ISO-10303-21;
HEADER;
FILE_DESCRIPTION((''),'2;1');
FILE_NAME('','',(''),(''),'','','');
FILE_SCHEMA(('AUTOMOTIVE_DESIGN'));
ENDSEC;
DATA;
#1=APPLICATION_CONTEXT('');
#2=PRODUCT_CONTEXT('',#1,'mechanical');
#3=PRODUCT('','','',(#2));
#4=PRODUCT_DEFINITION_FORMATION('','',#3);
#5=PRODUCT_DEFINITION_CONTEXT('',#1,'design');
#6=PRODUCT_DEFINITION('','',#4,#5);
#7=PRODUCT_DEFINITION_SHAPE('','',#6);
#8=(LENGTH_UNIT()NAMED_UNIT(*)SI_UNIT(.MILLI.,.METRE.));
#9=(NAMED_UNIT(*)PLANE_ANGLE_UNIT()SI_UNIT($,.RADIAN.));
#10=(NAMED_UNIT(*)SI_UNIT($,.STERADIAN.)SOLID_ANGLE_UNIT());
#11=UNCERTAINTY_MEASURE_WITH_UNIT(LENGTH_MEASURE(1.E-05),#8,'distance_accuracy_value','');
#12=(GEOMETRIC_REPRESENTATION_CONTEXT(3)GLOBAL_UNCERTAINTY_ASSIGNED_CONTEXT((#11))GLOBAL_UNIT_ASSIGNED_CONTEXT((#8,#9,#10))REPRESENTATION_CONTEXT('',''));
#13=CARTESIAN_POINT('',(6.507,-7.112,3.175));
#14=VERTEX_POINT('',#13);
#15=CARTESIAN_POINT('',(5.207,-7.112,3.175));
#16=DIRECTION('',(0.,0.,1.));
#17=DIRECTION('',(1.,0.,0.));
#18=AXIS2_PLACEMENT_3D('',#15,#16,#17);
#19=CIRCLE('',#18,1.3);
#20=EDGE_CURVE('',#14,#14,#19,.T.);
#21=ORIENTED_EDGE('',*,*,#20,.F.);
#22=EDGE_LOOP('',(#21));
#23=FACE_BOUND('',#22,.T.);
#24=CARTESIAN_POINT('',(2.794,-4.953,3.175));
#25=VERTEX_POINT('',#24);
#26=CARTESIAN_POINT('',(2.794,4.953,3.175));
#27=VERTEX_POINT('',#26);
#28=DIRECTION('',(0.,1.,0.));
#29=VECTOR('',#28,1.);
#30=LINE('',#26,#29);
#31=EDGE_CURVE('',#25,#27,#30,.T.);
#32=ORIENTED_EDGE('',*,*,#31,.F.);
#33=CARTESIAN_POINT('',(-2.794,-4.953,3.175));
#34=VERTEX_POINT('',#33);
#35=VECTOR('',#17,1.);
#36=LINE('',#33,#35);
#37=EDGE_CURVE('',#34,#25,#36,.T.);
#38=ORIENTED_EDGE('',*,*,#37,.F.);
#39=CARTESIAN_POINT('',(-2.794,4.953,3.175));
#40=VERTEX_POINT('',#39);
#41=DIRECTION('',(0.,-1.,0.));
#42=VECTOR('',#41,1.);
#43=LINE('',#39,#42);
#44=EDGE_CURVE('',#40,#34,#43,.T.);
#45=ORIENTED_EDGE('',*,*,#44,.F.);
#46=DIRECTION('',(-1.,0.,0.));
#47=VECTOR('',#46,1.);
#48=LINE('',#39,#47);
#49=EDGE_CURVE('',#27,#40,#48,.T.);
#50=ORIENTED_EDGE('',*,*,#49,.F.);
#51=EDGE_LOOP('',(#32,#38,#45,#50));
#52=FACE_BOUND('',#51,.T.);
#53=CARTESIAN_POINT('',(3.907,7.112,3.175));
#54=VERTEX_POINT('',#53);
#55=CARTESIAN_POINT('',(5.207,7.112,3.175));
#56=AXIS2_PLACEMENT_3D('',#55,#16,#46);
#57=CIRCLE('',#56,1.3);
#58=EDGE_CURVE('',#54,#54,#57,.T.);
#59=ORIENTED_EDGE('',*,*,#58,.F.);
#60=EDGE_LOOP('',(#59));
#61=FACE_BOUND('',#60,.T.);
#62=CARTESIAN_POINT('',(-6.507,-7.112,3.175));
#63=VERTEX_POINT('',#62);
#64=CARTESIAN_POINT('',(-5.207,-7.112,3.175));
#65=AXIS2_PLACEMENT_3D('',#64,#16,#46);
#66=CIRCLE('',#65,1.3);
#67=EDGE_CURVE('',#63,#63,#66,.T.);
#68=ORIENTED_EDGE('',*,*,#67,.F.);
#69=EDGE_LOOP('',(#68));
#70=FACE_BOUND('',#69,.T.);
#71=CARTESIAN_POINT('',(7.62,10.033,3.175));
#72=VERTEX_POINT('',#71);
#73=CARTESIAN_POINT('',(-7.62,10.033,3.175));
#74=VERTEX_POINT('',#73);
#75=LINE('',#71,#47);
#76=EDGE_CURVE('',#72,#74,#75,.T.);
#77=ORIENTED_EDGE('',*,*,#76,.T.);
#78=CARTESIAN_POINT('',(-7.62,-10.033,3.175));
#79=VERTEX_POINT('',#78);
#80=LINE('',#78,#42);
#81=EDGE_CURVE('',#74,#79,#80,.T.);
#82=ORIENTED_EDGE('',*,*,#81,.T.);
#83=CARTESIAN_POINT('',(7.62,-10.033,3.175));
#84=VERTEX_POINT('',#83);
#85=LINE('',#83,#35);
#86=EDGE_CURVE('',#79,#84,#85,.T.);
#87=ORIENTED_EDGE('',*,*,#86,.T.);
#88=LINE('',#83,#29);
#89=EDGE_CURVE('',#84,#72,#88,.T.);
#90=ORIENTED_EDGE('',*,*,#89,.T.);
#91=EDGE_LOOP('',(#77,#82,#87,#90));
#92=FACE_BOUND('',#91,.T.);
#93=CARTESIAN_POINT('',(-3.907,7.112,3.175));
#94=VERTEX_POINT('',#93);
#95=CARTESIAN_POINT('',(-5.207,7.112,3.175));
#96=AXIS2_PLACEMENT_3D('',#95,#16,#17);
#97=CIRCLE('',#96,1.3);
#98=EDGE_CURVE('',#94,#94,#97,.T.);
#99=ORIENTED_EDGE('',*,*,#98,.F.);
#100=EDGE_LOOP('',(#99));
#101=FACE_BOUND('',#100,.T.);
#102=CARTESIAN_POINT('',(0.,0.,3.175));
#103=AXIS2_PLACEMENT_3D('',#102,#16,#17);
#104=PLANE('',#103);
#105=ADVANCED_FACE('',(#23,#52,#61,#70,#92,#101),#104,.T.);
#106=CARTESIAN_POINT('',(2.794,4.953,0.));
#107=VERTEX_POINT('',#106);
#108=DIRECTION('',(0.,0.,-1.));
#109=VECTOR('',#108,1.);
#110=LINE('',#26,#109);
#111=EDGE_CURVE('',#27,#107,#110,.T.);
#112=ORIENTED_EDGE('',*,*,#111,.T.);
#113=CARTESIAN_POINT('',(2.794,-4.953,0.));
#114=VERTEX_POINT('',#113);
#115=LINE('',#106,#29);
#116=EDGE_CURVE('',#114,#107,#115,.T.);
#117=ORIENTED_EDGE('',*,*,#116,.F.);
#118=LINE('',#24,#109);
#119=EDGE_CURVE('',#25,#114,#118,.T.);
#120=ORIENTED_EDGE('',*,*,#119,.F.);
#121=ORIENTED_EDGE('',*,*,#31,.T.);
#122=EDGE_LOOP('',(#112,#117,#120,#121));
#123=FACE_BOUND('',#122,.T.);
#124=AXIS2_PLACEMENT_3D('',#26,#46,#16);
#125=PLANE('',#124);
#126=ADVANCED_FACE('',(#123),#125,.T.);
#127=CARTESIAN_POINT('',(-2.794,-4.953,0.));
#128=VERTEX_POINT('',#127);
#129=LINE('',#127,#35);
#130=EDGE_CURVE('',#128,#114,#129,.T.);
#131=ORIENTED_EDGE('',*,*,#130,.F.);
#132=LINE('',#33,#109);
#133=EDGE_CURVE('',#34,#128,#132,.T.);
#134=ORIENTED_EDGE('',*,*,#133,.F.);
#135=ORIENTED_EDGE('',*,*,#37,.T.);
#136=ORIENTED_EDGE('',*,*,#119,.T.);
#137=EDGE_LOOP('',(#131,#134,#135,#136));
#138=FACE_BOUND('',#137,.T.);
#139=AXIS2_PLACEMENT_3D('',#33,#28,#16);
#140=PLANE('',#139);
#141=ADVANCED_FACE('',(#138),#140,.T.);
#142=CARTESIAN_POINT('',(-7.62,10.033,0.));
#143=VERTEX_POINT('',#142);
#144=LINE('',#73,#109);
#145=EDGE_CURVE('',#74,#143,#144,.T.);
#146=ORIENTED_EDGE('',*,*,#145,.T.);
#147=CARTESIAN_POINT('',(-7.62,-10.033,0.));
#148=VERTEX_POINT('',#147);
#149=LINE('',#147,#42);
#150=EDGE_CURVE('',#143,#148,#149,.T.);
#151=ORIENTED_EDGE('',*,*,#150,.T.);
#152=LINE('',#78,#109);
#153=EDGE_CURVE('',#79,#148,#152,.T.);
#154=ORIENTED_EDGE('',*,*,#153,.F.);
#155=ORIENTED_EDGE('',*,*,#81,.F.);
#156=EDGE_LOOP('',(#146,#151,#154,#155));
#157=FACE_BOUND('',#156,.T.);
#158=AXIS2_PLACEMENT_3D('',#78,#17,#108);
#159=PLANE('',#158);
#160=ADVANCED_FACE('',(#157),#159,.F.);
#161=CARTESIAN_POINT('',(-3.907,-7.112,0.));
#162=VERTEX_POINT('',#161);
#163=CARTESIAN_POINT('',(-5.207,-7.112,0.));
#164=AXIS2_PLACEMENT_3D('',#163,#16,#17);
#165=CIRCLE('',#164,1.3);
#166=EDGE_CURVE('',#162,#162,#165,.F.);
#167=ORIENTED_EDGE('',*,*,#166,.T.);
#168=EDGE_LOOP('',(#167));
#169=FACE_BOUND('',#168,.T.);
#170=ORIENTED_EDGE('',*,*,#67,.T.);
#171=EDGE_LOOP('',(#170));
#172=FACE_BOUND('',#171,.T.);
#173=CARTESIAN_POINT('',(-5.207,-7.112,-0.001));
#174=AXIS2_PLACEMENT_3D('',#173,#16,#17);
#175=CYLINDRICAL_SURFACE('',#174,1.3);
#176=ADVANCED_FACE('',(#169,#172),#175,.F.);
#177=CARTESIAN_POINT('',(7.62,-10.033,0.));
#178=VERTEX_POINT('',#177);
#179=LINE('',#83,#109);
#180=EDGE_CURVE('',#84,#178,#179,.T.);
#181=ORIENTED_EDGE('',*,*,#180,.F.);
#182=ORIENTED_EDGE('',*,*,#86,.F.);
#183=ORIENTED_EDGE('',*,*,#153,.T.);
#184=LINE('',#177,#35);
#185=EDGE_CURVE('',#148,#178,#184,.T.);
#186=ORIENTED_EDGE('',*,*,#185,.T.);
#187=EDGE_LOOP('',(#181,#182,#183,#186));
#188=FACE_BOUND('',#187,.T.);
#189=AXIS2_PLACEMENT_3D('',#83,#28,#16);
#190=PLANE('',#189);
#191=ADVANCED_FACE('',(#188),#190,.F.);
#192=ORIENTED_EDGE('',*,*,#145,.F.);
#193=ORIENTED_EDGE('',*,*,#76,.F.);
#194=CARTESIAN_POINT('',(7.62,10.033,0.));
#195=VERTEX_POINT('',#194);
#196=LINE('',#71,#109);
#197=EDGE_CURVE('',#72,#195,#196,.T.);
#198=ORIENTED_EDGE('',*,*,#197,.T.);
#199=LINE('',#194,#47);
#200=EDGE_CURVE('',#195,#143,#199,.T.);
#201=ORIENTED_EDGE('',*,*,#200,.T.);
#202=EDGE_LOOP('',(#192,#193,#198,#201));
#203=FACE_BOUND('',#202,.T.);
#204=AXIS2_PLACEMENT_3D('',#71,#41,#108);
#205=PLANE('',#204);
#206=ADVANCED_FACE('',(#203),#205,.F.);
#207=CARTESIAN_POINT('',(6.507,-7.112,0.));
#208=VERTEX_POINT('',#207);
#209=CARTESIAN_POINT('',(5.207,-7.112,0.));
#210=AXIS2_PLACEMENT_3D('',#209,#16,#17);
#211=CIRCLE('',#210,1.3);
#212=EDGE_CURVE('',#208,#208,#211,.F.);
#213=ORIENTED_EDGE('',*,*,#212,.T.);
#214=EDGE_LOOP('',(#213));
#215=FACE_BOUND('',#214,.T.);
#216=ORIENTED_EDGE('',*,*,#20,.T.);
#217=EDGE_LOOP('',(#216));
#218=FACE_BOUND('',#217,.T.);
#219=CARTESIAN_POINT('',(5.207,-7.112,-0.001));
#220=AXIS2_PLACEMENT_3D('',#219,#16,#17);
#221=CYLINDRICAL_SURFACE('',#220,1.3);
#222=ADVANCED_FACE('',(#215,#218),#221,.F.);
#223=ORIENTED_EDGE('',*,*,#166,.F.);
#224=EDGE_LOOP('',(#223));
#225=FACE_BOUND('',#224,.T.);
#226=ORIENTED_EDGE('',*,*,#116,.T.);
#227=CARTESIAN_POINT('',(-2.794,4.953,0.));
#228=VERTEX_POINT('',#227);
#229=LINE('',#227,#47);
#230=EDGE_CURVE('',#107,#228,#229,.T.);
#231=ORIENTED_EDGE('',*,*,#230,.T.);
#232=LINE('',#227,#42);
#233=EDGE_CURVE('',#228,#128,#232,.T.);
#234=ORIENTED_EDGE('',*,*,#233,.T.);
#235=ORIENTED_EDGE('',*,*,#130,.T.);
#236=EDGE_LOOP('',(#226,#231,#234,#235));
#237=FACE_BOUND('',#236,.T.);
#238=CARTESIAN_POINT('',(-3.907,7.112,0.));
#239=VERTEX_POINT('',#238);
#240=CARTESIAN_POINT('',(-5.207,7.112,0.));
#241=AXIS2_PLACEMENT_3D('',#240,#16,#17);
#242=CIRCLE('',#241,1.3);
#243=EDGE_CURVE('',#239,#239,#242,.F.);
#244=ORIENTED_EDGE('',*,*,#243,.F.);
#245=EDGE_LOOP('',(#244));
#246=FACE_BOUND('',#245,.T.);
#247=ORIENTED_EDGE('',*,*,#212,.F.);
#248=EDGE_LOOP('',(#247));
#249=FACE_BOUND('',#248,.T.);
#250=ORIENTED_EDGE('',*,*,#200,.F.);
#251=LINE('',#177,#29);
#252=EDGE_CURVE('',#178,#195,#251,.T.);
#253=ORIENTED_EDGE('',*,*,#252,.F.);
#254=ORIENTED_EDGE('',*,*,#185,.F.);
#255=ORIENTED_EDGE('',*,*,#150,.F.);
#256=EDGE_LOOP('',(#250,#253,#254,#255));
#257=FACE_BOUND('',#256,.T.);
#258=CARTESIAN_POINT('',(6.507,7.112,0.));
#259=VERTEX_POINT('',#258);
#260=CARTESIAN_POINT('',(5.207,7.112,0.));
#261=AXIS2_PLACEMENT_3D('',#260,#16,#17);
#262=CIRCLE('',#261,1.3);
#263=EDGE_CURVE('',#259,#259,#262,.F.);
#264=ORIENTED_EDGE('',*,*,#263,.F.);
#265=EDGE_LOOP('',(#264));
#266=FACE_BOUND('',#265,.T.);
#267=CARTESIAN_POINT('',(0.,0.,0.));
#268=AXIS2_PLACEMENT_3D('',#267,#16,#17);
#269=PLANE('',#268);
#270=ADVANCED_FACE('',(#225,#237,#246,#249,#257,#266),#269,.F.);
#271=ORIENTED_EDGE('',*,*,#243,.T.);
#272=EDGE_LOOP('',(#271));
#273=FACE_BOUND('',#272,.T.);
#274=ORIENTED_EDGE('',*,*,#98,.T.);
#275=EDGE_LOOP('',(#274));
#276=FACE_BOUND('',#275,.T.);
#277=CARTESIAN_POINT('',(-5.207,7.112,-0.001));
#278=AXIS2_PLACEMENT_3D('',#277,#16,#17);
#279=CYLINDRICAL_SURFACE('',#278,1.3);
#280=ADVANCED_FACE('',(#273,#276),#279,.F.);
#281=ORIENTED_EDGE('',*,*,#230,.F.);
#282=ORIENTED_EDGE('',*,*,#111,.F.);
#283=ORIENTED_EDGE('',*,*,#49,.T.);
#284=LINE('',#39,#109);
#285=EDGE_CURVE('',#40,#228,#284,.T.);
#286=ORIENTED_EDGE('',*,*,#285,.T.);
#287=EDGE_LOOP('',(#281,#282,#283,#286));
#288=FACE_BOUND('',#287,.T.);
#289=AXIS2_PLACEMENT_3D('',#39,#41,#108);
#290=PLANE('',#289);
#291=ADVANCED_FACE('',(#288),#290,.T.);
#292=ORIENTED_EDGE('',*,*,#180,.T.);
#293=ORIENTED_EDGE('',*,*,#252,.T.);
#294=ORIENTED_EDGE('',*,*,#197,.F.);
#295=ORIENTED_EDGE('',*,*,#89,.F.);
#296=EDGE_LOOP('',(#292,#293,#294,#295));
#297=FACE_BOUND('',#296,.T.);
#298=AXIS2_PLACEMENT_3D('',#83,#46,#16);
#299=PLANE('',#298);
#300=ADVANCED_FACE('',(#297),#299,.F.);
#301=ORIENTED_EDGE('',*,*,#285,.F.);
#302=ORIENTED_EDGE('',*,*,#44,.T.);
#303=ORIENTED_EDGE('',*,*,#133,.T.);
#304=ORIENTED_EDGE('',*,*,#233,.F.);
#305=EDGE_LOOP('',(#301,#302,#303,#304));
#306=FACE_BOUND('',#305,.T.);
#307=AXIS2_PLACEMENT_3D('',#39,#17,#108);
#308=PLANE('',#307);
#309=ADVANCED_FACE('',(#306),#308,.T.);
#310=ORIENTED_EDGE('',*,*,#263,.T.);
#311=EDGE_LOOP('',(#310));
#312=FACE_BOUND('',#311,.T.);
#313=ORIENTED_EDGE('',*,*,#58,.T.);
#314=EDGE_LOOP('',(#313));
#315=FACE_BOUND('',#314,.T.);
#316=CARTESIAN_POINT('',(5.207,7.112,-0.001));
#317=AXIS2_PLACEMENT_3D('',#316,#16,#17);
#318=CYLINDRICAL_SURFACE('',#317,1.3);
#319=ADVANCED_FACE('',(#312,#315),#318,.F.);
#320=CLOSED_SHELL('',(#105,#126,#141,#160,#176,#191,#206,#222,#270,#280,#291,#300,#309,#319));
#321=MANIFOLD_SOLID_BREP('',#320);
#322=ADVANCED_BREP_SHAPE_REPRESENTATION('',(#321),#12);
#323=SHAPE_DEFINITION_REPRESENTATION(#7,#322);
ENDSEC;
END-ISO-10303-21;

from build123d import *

# Parameters (mm, degrees)
SKETCH1_W           = 15.24
SKETCH1_H           = 20.066
SKETCH1_W_2         = 5.588
SKETCH1_H_2         = 9.906
BOSS_EXTRUDE1_DEPTH = 3.175
CUT_EXTRUDE1_REACH  = 14.993
SKETCH2_R           = 1.3


with BuildPart() as part:
    # Sketch1 → Boss-Extrude1 (new body)
    with BuildSketch(Plane.XY):
        Rectangle(SKETCH1_W, SKETCH1_H)
        Rectangle(SKETCH1_W_2, SKETCH1_H_2, mode=Mode.SUBTRACT)
    extrude(amount=BOSS_EXTRUDE1_DEPTH)

    # Sketch2 → Cut-Extrude1 (cut, up to next)
    with BuildSketch(Plane.XY.offset(3.175), mode=Mode.PRIVATE) as cut_extrude1_sk1:
        with Locations((-5.207, 7.112)):
            Circle(SKETCH2_R)
    cut_extrude1_tool1 = extrude(cut_extrude1_sk1.sketch, amount=-CUT_EXTRUDE1_REACH, mode=Mode.PRIVATE) & part.part
    # Sketch2 → Cut-Extrude1 (cut, up to next)
    with BuildSketch(Plane.XY.offset(3.175), mode=Mode.PRIVATE) as cut_extrude1_sk2:
        with Locations((5.207, 7.112)):
            Circle(SKETCH2_R)
    cut_extrude1_tool2 = extrude(cut_extrude1_sk2.sketch, amount=-CUT_EXTRUDE1_REACH, mode=Mode.PRIVATE) & part.part
    # Sketch2 → Cut-Extrude1 (cut, up to next)
    with BuildSketch(Plane.XY.offset(3.175), mode=Mode.PRIVATE) as cut_extrude1_sk3:
        with Locations((5.207, -7.112)):
            Circle(SKETCH2_R)
    cut_extrude1_tool3 = extrude(cut_extrude1_sk3.sketch, amount=-CUT_EXTRUDE1_REACH, mode=Mode.PRIVATE) & part.part
    # Sketch2 → Cut-Extrude1 (cut, up to next)
    with BuildSketch(Plane.XY.offset(3.175), mode=Mode.PRIVATE) as cut_extrude1_sk4:
        with Locations((-5.207, -7.112)):
            Circle(SKETCH2_R)
    cut_extrude1_tool4 = extrude(cut_extrude1_sk4.sketch, amount=-CUT_EXTRUDE1_REACH, mode=Mode.PRIVATE) & part.part
    add(cut_extrude1_tool1.solids().sort_by_distance((-5.207, 7.112, 3.175))[0], mode=Mode.SUBTRACT)
    add(cut_extrude1_tool2.solids().sort_by_distance((5.207, 7.112, 3.175))[0], mode=Mode.SUBTRACT)
    add(cut_extrude1_tool3.solids().sort_by_distance((5.207, -7.112, 3.175))[0], mode=Mode.SUBTRACT)
    add(cut_extrude1_tool4.solids().sort_by_distance((-5.207, -7.112, 3.175))[0], mode=Mode.SUBTRACT)


solid = part.part
